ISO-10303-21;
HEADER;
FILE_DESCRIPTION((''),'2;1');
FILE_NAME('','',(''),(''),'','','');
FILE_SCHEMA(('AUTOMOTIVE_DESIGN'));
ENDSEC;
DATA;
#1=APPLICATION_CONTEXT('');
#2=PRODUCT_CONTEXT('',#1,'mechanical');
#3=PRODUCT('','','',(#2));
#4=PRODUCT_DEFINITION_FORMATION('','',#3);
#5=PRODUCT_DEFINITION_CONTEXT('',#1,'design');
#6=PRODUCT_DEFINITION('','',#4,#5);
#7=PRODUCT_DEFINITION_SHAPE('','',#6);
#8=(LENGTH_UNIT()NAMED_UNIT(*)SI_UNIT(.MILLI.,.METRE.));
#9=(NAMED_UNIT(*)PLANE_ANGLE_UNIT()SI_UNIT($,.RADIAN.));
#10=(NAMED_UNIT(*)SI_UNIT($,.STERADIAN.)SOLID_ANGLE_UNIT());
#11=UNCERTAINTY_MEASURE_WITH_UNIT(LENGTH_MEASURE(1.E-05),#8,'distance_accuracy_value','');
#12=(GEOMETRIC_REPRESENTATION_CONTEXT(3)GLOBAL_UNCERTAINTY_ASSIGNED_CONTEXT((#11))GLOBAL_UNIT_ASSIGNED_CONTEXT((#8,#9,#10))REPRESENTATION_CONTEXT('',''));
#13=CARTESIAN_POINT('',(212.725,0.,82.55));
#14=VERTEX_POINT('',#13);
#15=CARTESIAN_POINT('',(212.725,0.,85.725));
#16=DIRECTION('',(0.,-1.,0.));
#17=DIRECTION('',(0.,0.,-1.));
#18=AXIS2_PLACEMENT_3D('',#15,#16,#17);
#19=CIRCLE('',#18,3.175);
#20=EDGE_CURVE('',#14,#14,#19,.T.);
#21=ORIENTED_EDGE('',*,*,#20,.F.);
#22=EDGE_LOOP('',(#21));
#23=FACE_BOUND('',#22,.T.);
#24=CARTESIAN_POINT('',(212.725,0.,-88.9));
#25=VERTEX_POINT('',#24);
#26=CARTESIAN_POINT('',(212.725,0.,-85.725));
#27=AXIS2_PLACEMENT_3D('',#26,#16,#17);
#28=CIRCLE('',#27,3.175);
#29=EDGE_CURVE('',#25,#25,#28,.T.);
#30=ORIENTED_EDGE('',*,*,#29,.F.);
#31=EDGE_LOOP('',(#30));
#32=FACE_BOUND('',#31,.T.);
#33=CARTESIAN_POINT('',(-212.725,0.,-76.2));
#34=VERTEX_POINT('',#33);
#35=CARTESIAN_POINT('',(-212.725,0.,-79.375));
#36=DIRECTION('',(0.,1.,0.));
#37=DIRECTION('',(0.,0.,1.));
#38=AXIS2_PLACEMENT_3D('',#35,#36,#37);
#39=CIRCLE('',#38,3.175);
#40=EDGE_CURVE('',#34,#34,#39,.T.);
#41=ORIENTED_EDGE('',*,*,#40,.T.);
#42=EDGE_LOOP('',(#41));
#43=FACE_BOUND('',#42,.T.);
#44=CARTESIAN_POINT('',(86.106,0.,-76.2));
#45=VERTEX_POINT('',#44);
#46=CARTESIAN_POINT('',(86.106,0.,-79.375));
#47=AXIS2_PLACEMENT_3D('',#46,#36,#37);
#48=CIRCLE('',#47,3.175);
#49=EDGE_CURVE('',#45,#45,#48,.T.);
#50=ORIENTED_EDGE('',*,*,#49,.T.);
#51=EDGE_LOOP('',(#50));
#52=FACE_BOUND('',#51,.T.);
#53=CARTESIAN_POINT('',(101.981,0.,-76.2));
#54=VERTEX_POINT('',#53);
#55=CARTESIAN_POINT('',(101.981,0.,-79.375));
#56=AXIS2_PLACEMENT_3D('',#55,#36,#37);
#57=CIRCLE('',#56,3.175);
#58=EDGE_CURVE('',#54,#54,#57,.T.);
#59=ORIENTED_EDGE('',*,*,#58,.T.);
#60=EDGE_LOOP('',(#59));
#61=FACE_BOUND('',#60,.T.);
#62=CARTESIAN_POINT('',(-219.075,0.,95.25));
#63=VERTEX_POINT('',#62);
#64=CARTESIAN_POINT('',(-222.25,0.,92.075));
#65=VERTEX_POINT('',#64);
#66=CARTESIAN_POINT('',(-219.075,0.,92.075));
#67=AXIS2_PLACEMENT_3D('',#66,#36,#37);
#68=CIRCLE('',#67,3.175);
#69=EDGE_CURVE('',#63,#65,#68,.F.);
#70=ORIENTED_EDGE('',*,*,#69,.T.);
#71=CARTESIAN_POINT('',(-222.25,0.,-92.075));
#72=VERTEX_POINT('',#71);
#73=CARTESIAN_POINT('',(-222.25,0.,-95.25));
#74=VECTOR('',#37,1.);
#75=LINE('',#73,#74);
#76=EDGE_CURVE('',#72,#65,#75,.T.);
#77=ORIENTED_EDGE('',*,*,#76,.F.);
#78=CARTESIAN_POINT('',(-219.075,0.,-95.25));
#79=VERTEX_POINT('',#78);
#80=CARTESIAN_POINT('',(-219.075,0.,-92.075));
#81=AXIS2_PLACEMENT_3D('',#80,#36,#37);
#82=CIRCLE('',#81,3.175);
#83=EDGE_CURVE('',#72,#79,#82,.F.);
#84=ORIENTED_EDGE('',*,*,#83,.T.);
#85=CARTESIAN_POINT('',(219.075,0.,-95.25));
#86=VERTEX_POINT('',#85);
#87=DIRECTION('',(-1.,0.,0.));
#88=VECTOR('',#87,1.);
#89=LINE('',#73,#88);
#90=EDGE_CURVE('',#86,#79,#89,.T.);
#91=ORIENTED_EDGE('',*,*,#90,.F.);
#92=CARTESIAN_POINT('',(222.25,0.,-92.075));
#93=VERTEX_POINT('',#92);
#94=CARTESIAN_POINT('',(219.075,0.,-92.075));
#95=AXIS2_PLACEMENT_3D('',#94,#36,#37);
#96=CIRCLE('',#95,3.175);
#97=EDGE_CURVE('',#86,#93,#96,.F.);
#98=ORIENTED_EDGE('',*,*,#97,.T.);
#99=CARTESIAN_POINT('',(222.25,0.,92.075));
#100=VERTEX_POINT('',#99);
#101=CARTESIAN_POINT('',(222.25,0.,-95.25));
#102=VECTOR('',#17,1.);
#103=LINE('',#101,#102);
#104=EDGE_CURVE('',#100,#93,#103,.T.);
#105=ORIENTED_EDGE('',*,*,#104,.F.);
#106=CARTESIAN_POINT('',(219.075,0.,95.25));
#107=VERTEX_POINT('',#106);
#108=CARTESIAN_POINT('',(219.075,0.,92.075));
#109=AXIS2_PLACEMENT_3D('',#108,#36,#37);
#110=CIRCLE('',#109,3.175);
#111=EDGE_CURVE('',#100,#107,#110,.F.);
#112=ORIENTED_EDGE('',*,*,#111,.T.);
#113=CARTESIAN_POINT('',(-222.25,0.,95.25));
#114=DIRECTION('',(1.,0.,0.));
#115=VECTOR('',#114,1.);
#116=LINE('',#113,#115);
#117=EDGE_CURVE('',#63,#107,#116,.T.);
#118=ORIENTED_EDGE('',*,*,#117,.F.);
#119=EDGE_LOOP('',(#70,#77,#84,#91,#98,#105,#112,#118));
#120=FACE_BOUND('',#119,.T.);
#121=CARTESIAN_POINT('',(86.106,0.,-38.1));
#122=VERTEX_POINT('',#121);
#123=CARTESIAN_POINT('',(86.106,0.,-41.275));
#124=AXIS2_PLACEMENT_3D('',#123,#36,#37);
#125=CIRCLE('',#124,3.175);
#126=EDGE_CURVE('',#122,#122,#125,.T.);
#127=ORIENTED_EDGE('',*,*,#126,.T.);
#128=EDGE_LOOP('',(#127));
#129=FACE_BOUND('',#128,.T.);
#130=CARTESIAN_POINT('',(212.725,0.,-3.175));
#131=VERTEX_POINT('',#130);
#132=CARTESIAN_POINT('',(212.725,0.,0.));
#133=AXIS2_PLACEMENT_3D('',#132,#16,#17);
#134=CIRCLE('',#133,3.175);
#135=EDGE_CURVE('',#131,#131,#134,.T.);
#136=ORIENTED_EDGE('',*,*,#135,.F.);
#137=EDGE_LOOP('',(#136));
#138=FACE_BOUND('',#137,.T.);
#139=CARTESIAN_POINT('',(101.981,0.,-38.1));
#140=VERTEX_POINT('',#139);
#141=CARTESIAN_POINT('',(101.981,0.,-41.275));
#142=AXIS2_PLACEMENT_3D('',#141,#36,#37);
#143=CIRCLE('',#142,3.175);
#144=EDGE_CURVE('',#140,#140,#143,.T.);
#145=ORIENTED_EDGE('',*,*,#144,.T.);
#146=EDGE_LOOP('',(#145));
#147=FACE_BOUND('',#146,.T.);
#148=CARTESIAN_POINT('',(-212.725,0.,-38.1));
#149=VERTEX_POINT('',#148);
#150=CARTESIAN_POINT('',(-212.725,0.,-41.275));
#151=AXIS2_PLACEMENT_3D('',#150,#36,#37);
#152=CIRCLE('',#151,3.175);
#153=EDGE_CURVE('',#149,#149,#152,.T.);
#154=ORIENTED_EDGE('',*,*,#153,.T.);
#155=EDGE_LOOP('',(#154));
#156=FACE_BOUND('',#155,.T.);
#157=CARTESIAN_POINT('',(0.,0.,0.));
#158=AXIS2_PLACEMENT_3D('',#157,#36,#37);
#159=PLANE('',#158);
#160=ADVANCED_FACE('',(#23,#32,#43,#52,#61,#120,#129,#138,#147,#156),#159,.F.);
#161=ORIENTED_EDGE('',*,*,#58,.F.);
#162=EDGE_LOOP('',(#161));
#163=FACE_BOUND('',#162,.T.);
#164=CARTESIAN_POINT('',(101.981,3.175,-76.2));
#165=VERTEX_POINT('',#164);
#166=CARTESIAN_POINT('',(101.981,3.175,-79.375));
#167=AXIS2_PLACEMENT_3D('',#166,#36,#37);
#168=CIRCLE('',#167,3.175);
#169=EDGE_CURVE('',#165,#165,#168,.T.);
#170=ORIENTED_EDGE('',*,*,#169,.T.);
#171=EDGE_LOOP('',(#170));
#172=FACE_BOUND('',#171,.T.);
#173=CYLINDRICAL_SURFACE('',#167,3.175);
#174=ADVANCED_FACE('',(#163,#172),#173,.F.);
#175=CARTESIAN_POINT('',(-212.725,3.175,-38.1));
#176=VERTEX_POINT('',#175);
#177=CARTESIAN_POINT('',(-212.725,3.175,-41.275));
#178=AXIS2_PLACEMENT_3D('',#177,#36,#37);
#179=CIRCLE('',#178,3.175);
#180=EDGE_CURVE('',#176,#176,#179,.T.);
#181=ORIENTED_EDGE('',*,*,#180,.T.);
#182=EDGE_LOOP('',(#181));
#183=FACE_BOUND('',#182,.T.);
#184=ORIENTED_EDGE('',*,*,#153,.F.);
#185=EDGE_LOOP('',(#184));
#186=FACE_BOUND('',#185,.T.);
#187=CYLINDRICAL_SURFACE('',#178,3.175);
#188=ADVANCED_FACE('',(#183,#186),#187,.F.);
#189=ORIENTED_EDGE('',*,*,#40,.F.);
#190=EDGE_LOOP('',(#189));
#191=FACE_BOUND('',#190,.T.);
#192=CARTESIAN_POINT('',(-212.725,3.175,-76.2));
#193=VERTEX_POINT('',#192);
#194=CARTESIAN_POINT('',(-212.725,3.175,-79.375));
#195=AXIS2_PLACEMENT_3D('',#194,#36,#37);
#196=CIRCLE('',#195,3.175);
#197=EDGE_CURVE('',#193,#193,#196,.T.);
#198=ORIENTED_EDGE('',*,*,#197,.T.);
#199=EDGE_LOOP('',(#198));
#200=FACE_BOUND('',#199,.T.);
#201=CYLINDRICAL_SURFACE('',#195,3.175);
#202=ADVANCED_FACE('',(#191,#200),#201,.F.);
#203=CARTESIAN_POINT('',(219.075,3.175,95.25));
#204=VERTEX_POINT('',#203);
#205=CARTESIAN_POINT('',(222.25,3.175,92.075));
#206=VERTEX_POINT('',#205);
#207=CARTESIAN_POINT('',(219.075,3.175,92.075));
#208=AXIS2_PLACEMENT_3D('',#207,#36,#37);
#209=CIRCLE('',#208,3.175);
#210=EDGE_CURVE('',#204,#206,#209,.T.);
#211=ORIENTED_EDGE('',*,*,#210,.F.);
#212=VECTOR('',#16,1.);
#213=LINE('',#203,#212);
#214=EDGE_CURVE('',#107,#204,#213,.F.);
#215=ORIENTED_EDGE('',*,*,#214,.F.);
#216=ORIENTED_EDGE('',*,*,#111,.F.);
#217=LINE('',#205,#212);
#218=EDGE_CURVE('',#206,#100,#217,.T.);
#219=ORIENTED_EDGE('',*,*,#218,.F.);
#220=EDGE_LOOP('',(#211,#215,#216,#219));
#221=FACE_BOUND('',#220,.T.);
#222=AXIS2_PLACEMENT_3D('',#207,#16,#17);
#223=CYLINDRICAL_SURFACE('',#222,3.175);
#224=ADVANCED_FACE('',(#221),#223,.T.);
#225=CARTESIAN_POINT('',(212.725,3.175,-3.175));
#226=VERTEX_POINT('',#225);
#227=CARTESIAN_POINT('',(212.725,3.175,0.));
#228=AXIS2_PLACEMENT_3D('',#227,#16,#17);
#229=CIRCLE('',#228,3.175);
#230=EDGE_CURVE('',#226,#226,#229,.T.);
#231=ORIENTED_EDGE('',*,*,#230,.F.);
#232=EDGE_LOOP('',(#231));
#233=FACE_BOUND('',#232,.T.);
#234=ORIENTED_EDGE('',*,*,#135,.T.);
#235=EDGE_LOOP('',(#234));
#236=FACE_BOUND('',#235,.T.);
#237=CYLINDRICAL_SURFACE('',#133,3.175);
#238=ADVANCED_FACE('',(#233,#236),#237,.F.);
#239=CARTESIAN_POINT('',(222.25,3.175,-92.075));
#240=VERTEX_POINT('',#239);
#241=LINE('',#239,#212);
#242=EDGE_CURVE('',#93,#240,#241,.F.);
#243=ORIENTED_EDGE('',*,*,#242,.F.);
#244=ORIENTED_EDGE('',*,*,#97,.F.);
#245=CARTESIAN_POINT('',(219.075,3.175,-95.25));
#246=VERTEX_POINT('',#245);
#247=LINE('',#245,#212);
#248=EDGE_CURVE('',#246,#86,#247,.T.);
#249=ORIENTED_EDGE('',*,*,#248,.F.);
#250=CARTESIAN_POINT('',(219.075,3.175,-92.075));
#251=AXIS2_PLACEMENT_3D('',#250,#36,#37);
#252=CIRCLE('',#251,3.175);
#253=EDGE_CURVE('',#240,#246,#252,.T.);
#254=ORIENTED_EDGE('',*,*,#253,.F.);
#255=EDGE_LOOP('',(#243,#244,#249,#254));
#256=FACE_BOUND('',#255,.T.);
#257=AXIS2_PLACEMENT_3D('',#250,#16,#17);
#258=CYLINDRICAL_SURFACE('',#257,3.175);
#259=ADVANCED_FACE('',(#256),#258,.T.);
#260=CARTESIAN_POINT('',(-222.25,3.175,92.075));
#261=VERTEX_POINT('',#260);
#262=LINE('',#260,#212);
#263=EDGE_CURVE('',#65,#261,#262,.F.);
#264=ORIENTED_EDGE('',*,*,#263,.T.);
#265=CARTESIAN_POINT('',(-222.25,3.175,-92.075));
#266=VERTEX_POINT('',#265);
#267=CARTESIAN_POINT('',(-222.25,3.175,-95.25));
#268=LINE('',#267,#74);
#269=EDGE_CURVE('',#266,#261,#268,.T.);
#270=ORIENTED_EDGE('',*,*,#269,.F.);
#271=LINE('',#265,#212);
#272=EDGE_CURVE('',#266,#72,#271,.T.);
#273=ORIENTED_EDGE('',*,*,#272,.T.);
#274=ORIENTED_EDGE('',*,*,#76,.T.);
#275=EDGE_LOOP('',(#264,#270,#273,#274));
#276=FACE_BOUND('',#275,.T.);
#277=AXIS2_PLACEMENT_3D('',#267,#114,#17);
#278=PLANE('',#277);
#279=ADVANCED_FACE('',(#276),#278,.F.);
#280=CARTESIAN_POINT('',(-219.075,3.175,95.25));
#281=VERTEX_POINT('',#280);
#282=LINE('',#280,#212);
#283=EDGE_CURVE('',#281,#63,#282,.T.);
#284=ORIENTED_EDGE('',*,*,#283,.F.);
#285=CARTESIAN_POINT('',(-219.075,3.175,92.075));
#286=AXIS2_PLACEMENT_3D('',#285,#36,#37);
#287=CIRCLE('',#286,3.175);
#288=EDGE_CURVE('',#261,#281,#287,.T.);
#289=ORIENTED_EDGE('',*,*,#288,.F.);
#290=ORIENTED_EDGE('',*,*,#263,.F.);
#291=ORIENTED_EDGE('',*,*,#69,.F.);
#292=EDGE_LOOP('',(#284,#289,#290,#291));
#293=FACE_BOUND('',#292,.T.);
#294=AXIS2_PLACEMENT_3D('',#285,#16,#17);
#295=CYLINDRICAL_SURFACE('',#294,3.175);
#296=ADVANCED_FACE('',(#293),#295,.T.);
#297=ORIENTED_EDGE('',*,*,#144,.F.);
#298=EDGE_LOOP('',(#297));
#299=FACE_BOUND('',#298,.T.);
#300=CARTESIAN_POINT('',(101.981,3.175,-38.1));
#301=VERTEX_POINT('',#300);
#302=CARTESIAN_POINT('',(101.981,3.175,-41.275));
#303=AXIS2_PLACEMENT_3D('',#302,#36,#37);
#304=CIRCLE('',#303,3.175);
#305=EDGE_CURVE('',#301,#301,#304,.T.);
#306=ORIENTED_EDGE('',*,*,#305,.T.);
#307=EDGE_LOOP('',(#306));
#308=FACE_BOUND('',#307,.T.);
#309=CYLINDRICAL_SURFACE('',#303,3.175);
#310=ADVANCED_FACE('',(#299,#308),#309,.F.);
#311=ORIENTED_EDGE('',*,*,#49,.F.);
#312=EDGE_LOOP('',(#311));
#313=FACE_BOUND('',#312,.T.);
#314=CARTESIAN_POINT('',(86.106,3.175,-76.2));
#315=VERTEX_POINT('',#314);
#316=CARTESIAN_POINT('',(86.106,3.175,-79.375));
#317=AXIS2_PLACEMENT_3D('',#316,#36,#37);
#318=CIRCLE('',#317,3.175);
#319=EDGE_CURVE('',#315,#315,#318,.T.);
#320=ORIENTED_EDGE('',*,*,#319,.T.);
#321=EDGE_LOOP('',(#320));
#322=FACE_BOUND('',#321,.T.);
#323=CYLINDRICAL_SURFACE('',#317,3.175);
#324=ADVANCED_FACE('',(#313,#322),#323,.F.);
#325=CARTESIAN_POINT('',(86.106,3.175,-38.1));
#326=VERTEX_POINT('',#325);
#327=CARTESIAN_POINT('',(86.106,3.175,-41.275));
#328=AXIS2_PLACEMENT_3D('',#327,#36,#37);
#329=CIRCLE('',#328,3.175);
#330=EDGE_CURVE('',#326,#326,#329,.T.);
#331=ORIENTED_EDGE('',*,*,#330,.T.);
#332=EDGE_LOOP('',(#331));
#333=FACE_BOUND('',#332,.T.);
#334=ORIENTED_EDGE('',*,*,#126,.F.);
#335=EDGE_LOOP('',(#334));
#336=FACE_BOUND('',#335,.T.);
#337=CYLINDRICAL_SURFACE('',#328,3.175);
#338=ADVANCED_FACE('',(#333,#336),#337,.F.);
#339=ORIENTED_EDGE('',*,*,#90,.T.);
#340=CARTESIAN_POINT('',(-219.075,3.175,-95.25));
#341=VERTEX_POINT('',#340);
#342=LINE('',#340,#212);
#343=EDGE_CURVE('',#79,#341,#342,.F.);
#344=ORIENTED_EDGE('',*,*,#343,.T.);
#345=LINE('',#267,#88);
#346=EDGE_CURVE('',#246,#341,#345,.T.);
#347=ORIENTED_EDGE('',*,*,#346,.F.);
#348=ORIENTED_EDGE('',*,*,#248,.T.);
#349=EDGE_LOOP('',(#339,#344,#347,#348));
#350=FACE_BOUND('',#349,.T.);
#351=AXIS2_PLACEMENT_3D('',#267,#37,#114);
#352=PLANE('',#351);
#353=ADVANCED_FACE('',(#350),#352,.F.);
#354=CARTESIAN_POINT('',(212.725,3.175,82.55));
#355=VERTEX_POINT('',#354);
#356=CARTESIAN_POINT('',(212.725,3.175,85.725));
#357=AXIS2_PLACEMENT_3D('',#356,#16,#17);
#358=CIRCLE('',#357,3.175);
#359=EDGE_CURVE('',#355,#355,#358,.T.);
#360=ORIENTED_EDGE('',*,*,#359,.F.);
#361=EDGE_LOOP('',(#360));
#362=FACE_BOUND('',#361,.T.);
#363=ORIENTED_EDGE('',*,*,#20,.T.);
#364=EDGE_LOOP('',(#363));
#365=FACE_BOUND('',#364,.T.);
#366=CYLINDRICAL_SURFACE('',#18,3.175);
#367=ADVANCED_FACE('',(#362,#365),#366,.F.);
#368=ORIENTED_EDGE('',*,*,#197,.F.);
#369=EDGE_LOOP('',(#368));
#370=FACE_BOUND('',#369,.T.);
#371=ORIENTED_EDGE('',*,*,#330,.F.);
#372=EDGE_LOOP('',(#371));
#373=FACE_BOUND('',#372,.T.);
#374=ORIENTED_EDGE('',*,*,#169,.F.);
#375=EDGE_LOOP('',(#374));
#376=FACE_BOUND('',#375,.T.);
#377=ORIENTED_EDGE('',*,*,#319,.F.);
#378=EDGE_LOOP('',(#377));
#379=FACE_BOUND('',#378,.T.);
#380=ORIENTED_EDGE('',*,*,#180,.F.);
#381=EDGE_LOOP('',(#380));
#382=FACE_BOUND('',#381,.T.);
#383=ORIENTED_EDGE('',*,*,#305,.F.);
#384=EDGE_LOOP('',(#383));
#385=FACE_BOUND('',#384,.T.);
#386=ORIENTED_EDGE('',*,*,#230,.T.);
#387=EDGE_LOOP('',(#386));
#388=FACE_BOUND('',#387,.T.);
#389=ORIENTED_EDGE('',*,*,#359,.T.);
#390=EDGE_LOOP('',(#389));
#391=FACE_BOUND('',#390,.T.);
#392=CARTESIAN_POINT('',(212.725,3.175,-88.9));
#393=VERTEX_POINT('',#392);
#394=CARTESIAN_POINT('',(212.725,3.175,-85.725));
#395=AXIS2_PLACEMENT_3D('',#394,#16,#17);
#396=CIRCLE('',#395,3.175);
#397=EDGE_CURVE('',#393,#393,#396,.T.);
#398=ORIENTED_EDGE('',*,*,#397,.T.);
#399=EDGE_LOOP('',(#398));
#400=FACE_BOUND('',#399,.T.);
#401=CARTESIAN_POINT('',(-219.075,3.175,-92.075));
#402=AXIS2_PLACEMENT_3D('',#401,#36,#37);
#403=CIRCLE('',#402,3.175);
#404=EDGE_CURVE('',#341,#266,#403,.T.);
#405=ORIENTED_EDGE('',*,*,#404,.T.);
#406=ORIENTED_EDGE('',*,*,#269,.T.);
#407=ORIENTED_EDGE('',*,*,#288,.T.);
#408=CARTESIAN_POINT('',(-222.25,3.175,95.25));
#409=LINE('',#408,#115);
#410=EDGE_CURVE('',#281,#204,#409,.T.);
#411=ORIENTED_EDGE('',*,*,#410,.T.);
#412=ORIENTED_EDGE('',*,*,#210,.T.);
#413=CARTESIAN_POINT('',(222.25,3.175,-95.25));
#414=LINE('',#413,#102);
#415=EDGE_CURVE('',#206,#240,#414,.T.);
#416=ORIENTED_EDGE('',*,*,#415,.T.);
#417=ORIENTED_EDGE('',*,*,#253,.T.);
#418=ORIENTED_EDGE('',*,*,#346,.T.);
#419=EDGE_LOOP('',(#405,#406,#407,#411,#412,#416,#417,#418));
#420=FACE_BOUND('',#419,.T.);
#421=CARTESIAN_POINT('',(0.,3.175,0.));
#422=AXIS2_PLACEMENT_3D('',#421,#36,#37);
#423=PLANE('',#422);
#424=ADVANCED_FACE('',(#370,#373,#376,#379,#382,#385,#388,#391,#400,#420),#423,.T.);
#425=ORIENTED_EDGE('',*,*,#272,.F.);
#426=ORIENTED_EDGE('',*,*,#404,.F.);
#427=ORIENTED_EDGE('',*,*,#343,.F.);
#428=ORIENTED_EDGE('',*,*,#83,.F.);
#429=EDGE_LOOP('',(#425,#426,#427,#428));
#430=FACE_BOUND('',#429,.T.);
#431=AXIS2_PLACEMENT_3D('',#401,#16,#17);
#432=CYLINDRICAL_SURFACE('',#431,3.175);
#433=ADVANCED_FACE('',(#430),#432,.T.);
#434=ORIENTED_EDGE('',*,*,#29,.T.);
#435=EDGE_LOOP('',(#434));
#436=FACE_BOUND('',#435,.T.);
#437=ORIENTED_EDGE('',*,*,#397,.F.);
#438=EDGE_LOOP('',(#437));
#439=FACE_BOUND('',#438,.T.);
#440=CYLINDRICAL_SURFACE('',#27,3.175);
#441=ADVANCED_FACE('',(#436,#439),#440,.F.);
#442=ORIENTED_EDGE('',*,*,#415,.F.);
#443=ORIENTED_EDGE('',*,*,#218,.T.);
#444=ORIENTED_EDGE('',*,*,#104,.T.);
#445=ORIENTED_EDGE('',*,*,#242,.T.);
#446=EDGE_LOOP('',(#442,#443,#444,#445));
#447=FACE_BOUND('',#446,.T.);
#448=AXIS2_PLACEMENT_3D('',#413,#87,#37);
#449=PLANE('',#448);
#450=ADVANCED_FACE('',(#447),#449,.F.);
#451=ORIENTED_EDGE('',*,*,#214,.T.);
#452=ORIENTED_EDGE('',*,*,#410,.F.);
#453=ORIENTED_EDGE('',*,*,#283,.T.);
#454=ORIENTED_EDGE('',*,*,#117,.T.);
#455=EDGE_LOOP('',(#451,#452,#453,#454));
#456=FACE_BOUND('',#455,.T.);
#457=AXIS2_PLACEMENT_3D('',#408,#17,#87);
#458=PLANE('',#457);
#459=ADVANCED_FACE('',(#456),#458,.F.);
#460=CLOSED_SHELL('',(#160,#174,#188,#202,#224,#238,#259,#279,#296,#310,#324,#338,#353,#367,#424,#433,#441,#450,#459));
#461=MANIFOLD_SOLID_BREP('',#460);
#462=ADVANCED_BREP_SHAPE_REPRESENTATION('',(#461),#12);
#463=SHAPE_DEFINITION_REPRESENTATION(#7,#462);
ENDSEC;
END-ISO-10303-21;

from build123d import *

# Parameters (mm, degrees)
SKETCH1_W                   = 444.5
SKETCH1_H                   = 190.5
BOSS_EXTRUDE1_DEPTH         = 3.175
F_1_4_0_25_DIAMETER_HOLE1_D = 6.35
FILLET1_R                   = 3.175
F_1_4_0_25_DIAMETER_HOLE2_D = 6.35


with BuildPart() as part:
    # Sketch1 → Boss-Extrude1 (new body)
    with BuildSketch(Plane(origin=(0, 0, 0), x_dir=(1, 0, 0), z_dir=(0, 1, 0))):
        Rectangle(SKETCH1_W, SKETCH1_H)
    extrude(amount=BOSS_EXTRUDE1_DEPTH)

    # 1/4 (0.25) Diameter Hole1 (through all)
    with Locations(Plane(origin=(0, 3.175, 0), x_dir=(1, 0, 0), z_dir=(0, 1, 0))):
        with Locations((-212.725, 79.375), (-212.725, 41.275), (101.981, 79.375), (101.981, 41.275), (86.106, 79.375), (86.106, 41.275)):
            Hole(F_1_4_0_25_DIAMETER_HOLE1_D / 2)

    # Fillet1
    fillet1_edges = [part.edges().sort_by_distance(p)[0] for p in [
        (222.25, 1.5875, 95.25),
        (-222.25, 1.5875, 95.25),
        (-222.25, 1.5875, -95.25),
        (222.25, 1.5875, -95.25),
    ]]
    fillet(fillet1_edges, radius=FILLET1_R)

    # 1/4 (0.25) Diameter Hole2 (through all)
    with Locations(Plane(origin=(0, 0, 0), x_dir=(-1, 0, 0), z_dir=(0, -1, 0))):
        with Locations((-212.725, 85.725), (-212.725, 0), (-212.725, -85.725)):
            Hole(F_1_4_0_25_DIAMETER_HOLE2_D / 2)


solid = part.part
